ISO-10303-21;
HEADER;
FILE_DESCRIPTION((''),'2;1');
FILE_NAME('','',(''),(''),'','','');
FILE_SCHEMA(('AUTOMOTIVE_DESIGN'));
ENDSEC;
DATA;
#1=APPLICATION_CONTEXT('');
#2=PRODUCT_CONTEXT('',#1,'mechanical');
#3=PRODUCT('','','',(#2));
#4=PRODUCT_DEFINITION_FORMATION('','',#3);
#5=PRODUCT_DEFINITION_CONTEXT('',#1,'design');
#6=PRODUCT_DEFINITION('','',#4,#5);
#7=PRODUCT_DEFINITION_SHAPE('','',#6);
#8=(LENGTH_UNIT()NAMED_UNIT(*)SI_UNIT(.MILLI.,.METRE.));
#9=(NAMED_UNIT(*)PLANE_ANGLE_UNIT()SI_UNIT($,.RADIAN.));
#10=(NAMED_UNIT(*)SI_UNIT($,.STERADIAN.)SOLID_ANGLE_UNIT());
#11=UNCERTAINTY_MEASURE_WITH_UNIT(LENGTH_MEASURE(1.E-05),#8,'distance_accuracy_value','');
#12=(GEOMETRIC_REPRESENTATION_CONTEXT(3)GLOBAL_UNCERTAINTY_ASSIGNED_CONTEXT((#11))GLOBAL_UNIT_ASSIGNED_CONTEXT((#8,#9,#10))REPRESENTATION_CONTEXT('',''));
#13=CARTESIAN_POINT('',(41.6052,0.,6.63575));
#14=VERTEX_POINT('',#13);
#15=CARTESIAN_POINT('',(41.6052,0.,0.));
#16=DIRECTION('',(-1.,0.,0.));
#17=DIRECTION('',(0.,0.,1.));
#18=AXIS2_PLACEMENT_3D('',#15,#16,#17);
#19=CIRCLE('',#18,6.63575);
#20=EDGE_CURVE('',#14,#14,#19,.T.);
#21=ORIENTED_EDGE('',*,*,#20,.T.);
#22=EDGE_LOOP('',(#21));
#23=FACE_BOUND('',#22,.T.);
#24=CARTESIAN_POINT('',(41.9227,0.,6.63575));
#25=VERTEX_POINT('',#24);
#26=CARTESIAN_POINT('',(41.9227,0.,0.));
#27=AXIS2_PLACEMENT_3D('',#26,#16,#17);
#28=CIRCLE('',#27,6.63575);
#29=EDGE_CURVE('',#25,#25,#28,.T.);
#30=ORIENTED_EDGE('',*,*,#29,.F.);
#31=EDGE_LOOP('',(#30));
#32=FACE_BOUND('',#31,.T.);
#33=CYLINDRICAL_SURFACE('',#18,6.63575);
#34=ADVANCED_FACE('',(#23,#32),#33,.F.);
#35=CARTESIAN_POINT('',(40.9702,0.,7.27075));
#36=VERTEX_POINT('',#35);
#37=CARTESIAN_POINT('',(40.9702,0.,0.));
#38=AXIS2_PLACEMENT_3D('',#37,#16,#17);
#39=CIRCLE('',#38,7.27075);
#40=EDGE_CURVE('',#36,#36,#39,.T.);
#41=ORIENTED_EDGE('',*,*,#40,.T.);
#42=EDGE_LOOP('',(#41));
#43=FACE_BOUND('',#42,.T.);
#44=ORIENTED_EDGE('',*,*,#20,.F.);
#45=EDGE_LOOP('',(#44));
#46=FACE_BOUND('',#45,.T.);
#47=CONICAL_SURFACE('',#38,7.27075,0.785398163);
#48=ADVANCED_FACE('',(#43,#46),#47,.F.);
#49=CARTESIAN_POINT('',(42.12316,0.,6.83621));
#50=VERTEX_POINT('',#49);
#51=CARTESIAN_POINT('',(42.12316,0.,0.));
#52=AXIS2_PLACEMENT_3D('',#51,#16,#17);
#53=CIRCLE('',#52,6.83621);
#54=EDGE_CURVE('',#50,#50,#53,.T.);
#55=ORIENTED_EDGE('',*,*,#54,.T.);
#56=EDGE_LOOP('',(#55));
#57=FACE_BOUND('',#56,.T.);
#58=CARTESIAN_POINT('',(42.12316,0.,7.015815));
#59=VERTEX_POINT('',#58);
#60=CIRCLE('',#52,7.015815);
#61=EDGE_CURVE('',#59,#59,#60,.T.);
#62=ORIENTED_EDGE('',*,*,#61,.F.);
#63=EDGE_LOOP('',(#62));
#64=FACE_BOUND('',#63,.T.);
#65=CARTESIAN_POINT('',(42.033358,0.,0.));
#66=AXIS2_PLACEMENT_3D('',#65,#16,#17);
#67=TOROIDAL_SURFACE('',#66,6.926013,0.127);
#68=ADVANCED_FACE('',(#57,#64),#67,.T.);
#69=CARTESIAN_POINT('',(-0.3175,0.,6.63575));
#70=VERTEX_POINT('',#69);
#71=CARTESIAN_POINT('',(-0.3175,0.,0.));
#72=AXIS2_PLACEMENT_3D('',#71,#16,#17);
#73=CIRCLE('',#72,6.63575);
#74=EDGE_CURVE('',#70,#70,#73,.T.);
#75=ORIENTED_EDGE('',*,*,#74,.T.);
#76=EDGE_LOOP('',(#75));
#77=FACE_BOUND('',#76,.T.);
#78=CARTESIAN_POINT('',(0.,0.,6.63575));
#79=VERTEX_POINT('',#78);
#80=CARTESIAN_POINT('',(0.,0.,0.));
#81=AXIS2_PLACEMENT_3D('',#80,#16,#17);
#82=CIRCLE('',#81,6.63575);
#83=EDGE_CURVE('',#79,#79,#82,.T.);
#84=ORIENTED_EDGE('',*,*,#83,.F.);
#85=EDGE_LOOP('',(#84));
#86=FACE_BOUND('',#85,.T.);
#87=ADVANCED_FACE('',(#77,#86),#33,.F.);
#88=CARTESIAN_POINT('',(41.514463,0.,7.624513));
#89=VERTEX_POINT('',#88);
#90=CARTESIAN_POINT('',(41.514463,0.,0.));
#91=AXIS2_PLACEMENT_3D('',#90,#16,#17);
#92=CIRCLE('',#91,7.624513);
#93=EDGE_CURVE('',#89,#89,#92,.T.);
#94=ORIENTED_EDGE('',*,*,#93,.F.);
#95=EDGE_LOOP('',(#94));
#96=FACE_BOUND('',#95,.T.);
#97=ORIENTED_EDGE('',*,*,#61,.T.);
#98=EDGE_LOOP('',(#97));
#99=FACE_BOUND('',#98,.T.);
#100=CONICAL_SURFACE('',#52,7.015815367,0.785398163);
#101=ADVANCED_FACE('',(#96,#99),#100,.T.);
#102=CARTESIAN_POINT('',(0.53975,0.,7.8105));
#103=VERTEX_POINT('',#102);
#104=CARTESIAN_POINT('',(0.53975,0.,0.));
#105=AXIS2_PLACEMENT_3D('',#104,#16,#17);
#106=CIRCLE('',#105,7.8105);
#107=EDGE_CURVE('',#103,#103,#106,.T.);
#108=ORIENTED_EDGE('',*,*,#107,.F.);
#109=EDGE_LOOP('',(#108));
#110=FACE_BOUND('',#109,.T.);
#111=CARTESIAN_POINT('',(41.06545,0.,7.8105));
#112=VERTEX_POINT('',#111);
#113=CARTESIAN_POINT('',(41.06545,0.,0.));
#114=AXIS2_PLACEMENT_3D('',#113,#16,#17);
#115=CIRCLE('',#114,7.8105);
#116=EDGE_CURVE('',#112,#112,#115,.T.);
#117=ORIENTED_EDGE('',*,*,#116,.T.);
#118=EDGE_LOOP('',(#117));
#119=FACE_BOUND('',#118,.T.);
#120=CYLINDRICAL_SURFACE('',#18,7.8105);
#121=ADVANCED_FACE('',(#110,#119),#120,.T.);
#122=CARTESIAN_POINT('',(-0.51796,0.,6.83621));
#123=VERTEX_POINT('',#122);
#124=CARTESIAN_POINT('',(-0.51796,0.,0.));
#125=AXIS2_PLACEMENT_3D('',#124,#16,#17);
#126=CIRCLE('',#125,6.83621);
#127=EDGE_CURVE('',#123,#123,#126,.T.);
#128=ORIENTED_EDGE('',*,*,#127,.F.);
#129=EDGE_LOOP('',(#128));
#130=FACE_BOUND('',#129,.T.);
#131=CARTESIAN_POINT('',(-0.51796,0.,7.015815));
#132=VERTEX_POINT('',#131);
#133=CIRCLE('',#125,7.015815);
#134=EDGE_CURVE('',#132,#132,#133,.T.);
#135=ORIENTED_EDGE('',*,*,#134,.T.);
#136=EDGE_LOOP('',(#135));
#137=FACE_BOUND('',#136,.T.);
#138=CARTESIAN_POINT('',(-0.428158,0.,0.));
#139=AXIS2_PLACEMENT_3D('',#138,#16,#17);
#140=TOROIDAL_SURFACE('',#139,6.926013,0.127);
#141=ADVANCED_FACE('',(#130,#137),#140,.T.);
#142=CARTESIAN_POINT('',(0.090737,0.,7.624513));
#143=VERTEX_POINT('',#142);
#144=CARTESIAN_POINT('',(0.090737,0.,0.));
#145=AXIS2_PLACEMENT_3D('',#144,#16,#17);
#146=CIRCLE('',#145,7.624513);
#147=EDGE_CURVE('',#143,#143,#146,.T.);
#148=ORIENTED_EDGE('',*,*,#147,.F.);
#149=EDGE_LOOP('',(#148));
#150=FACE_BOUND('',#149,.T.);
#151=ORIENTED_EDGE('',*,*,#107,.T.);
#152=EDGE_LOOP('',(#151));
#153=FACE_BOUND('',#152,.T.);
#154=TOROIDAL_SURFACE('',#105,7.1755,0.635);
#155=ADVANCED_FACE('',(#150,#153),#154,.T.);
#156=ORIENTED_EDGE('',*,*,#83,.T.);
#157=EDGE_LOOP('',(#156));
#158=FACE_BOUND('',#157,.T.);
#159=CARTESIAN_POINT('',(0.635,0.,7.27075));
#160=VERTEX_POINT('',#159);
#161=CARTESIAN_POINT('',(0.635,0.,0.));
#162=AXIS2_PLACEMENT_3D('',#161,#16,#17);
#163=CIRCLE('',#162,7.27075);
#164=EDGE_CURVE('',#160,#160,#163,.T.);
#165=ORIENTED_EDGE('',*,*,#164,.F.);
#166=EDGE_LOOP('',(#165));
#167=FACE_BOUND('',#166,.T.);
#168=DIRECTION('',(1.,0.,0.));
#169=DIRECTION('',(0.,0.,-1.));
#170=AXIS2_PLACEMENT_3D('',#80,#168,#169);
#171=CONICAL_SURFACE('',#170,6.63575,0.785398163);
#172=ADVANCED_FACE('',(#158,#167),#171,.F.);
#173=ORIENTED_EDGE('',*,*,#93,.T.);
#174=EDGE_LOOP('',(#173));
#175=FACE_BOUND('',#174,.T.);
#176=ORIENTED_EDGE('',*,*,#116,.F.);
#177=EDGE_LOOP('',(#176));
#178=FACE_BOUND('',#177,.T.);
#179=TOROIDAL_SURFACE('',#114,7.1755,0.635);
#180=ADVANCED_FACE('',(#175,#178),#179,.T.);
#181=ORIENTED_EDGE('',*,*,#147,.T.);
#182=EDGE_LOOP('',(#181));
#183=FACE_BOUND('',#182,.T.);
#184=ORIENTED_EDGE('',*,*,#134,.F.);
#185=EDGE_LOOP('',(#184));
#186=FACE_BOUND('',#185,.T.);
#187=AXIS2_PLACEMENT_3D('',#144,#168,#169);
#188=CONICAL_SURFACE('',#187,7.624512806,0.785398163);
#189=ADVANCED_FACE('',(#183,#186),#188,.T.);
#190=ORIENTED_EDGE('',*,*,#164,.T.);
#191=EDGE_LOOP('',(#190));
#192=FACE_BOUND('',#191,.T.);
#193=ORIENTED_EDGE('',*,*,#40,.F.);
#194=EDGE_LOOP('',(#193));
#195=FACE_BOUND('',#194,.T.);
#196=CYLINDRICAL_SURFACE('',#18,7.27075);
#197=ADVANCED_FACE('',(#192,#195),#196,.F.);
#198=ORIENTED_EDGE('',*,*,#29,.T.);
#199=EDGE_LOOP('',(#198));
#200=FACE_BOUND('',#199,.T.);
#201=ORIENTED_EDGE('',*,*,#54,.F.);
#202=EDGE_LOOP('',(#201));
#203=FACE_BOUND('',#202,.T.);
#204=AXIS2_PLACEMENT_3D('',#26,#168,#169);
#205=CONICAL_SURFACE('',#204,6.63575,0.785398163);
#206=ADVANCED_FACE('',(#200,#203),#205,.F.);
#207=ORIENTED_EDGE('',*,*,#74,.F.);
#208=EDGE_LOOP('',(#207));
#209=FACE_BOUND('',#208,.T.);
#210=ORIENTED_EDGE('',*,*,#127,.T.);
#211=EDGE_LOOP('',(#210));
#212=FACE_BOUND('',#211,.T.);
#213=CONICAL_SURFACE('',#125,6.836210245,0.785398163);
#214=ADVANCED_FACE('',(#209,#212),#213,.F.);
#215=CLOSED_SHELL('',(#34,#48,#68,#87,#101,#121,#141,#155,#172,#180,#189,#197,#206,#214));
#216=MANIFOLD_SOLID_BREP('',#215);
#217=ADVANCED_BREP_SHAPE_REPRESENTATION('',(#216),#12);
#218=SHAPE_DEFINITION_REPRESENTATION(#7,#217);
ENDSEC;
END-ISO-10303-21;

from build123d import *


with BuildPart() as part:
    # Sketch1 → Revolve1 (revolve)
    with BuildSketch(Plane.XY):
        with BuildLine():
            Line((-0.517960245, 6.836210245), (-0.3175, 6.63575))
            Line((-0.3175, 6.63575), (0, 6.63575))
            Line((0, 6.63575), (0.635, 7.27075))
            Line((0.635, 7.27075), (40.9702, 7.27075))
            Line((40.9702, 7.27075), (41.6052, 6.63575))
            Line((41.6052, 6.63575), (41.9227, 6.63575))
            Line((41.9227, 6.63575), (42.123160245, 6.836210245))
            ThreePointArc((42.123160245, 6.836210245), (42.160357684, 6.926012806), (42.123160245, 7.015815367))
            Line((42.123160245, 7.015815367), (41.514462806, 7.624512806))
            ThreePointArc((41.514462806, 7.624512806), (41.30845398, 7.762163503), (41.06545, 7.8105))
            Line((41.06545, 7.8105), (0.53975, 7.8105))
            ThreePointArc((0.53975, 7.8105), (0.29674602, 7.762163503), (0.090737194, 7.624512806))
            Line((0.090737194, 7.624512806), (-0.517960245, 7.015815367))
            ThreePointArc((-0.517960245, 7.015815367), (-0.555157684, 6.926012806), (-0.517960245, 6.836210245))
        make_face()
    revolve(axis=Axis((41.6052, 0, 0), (-1, 0, 0)))


solid = part.part
